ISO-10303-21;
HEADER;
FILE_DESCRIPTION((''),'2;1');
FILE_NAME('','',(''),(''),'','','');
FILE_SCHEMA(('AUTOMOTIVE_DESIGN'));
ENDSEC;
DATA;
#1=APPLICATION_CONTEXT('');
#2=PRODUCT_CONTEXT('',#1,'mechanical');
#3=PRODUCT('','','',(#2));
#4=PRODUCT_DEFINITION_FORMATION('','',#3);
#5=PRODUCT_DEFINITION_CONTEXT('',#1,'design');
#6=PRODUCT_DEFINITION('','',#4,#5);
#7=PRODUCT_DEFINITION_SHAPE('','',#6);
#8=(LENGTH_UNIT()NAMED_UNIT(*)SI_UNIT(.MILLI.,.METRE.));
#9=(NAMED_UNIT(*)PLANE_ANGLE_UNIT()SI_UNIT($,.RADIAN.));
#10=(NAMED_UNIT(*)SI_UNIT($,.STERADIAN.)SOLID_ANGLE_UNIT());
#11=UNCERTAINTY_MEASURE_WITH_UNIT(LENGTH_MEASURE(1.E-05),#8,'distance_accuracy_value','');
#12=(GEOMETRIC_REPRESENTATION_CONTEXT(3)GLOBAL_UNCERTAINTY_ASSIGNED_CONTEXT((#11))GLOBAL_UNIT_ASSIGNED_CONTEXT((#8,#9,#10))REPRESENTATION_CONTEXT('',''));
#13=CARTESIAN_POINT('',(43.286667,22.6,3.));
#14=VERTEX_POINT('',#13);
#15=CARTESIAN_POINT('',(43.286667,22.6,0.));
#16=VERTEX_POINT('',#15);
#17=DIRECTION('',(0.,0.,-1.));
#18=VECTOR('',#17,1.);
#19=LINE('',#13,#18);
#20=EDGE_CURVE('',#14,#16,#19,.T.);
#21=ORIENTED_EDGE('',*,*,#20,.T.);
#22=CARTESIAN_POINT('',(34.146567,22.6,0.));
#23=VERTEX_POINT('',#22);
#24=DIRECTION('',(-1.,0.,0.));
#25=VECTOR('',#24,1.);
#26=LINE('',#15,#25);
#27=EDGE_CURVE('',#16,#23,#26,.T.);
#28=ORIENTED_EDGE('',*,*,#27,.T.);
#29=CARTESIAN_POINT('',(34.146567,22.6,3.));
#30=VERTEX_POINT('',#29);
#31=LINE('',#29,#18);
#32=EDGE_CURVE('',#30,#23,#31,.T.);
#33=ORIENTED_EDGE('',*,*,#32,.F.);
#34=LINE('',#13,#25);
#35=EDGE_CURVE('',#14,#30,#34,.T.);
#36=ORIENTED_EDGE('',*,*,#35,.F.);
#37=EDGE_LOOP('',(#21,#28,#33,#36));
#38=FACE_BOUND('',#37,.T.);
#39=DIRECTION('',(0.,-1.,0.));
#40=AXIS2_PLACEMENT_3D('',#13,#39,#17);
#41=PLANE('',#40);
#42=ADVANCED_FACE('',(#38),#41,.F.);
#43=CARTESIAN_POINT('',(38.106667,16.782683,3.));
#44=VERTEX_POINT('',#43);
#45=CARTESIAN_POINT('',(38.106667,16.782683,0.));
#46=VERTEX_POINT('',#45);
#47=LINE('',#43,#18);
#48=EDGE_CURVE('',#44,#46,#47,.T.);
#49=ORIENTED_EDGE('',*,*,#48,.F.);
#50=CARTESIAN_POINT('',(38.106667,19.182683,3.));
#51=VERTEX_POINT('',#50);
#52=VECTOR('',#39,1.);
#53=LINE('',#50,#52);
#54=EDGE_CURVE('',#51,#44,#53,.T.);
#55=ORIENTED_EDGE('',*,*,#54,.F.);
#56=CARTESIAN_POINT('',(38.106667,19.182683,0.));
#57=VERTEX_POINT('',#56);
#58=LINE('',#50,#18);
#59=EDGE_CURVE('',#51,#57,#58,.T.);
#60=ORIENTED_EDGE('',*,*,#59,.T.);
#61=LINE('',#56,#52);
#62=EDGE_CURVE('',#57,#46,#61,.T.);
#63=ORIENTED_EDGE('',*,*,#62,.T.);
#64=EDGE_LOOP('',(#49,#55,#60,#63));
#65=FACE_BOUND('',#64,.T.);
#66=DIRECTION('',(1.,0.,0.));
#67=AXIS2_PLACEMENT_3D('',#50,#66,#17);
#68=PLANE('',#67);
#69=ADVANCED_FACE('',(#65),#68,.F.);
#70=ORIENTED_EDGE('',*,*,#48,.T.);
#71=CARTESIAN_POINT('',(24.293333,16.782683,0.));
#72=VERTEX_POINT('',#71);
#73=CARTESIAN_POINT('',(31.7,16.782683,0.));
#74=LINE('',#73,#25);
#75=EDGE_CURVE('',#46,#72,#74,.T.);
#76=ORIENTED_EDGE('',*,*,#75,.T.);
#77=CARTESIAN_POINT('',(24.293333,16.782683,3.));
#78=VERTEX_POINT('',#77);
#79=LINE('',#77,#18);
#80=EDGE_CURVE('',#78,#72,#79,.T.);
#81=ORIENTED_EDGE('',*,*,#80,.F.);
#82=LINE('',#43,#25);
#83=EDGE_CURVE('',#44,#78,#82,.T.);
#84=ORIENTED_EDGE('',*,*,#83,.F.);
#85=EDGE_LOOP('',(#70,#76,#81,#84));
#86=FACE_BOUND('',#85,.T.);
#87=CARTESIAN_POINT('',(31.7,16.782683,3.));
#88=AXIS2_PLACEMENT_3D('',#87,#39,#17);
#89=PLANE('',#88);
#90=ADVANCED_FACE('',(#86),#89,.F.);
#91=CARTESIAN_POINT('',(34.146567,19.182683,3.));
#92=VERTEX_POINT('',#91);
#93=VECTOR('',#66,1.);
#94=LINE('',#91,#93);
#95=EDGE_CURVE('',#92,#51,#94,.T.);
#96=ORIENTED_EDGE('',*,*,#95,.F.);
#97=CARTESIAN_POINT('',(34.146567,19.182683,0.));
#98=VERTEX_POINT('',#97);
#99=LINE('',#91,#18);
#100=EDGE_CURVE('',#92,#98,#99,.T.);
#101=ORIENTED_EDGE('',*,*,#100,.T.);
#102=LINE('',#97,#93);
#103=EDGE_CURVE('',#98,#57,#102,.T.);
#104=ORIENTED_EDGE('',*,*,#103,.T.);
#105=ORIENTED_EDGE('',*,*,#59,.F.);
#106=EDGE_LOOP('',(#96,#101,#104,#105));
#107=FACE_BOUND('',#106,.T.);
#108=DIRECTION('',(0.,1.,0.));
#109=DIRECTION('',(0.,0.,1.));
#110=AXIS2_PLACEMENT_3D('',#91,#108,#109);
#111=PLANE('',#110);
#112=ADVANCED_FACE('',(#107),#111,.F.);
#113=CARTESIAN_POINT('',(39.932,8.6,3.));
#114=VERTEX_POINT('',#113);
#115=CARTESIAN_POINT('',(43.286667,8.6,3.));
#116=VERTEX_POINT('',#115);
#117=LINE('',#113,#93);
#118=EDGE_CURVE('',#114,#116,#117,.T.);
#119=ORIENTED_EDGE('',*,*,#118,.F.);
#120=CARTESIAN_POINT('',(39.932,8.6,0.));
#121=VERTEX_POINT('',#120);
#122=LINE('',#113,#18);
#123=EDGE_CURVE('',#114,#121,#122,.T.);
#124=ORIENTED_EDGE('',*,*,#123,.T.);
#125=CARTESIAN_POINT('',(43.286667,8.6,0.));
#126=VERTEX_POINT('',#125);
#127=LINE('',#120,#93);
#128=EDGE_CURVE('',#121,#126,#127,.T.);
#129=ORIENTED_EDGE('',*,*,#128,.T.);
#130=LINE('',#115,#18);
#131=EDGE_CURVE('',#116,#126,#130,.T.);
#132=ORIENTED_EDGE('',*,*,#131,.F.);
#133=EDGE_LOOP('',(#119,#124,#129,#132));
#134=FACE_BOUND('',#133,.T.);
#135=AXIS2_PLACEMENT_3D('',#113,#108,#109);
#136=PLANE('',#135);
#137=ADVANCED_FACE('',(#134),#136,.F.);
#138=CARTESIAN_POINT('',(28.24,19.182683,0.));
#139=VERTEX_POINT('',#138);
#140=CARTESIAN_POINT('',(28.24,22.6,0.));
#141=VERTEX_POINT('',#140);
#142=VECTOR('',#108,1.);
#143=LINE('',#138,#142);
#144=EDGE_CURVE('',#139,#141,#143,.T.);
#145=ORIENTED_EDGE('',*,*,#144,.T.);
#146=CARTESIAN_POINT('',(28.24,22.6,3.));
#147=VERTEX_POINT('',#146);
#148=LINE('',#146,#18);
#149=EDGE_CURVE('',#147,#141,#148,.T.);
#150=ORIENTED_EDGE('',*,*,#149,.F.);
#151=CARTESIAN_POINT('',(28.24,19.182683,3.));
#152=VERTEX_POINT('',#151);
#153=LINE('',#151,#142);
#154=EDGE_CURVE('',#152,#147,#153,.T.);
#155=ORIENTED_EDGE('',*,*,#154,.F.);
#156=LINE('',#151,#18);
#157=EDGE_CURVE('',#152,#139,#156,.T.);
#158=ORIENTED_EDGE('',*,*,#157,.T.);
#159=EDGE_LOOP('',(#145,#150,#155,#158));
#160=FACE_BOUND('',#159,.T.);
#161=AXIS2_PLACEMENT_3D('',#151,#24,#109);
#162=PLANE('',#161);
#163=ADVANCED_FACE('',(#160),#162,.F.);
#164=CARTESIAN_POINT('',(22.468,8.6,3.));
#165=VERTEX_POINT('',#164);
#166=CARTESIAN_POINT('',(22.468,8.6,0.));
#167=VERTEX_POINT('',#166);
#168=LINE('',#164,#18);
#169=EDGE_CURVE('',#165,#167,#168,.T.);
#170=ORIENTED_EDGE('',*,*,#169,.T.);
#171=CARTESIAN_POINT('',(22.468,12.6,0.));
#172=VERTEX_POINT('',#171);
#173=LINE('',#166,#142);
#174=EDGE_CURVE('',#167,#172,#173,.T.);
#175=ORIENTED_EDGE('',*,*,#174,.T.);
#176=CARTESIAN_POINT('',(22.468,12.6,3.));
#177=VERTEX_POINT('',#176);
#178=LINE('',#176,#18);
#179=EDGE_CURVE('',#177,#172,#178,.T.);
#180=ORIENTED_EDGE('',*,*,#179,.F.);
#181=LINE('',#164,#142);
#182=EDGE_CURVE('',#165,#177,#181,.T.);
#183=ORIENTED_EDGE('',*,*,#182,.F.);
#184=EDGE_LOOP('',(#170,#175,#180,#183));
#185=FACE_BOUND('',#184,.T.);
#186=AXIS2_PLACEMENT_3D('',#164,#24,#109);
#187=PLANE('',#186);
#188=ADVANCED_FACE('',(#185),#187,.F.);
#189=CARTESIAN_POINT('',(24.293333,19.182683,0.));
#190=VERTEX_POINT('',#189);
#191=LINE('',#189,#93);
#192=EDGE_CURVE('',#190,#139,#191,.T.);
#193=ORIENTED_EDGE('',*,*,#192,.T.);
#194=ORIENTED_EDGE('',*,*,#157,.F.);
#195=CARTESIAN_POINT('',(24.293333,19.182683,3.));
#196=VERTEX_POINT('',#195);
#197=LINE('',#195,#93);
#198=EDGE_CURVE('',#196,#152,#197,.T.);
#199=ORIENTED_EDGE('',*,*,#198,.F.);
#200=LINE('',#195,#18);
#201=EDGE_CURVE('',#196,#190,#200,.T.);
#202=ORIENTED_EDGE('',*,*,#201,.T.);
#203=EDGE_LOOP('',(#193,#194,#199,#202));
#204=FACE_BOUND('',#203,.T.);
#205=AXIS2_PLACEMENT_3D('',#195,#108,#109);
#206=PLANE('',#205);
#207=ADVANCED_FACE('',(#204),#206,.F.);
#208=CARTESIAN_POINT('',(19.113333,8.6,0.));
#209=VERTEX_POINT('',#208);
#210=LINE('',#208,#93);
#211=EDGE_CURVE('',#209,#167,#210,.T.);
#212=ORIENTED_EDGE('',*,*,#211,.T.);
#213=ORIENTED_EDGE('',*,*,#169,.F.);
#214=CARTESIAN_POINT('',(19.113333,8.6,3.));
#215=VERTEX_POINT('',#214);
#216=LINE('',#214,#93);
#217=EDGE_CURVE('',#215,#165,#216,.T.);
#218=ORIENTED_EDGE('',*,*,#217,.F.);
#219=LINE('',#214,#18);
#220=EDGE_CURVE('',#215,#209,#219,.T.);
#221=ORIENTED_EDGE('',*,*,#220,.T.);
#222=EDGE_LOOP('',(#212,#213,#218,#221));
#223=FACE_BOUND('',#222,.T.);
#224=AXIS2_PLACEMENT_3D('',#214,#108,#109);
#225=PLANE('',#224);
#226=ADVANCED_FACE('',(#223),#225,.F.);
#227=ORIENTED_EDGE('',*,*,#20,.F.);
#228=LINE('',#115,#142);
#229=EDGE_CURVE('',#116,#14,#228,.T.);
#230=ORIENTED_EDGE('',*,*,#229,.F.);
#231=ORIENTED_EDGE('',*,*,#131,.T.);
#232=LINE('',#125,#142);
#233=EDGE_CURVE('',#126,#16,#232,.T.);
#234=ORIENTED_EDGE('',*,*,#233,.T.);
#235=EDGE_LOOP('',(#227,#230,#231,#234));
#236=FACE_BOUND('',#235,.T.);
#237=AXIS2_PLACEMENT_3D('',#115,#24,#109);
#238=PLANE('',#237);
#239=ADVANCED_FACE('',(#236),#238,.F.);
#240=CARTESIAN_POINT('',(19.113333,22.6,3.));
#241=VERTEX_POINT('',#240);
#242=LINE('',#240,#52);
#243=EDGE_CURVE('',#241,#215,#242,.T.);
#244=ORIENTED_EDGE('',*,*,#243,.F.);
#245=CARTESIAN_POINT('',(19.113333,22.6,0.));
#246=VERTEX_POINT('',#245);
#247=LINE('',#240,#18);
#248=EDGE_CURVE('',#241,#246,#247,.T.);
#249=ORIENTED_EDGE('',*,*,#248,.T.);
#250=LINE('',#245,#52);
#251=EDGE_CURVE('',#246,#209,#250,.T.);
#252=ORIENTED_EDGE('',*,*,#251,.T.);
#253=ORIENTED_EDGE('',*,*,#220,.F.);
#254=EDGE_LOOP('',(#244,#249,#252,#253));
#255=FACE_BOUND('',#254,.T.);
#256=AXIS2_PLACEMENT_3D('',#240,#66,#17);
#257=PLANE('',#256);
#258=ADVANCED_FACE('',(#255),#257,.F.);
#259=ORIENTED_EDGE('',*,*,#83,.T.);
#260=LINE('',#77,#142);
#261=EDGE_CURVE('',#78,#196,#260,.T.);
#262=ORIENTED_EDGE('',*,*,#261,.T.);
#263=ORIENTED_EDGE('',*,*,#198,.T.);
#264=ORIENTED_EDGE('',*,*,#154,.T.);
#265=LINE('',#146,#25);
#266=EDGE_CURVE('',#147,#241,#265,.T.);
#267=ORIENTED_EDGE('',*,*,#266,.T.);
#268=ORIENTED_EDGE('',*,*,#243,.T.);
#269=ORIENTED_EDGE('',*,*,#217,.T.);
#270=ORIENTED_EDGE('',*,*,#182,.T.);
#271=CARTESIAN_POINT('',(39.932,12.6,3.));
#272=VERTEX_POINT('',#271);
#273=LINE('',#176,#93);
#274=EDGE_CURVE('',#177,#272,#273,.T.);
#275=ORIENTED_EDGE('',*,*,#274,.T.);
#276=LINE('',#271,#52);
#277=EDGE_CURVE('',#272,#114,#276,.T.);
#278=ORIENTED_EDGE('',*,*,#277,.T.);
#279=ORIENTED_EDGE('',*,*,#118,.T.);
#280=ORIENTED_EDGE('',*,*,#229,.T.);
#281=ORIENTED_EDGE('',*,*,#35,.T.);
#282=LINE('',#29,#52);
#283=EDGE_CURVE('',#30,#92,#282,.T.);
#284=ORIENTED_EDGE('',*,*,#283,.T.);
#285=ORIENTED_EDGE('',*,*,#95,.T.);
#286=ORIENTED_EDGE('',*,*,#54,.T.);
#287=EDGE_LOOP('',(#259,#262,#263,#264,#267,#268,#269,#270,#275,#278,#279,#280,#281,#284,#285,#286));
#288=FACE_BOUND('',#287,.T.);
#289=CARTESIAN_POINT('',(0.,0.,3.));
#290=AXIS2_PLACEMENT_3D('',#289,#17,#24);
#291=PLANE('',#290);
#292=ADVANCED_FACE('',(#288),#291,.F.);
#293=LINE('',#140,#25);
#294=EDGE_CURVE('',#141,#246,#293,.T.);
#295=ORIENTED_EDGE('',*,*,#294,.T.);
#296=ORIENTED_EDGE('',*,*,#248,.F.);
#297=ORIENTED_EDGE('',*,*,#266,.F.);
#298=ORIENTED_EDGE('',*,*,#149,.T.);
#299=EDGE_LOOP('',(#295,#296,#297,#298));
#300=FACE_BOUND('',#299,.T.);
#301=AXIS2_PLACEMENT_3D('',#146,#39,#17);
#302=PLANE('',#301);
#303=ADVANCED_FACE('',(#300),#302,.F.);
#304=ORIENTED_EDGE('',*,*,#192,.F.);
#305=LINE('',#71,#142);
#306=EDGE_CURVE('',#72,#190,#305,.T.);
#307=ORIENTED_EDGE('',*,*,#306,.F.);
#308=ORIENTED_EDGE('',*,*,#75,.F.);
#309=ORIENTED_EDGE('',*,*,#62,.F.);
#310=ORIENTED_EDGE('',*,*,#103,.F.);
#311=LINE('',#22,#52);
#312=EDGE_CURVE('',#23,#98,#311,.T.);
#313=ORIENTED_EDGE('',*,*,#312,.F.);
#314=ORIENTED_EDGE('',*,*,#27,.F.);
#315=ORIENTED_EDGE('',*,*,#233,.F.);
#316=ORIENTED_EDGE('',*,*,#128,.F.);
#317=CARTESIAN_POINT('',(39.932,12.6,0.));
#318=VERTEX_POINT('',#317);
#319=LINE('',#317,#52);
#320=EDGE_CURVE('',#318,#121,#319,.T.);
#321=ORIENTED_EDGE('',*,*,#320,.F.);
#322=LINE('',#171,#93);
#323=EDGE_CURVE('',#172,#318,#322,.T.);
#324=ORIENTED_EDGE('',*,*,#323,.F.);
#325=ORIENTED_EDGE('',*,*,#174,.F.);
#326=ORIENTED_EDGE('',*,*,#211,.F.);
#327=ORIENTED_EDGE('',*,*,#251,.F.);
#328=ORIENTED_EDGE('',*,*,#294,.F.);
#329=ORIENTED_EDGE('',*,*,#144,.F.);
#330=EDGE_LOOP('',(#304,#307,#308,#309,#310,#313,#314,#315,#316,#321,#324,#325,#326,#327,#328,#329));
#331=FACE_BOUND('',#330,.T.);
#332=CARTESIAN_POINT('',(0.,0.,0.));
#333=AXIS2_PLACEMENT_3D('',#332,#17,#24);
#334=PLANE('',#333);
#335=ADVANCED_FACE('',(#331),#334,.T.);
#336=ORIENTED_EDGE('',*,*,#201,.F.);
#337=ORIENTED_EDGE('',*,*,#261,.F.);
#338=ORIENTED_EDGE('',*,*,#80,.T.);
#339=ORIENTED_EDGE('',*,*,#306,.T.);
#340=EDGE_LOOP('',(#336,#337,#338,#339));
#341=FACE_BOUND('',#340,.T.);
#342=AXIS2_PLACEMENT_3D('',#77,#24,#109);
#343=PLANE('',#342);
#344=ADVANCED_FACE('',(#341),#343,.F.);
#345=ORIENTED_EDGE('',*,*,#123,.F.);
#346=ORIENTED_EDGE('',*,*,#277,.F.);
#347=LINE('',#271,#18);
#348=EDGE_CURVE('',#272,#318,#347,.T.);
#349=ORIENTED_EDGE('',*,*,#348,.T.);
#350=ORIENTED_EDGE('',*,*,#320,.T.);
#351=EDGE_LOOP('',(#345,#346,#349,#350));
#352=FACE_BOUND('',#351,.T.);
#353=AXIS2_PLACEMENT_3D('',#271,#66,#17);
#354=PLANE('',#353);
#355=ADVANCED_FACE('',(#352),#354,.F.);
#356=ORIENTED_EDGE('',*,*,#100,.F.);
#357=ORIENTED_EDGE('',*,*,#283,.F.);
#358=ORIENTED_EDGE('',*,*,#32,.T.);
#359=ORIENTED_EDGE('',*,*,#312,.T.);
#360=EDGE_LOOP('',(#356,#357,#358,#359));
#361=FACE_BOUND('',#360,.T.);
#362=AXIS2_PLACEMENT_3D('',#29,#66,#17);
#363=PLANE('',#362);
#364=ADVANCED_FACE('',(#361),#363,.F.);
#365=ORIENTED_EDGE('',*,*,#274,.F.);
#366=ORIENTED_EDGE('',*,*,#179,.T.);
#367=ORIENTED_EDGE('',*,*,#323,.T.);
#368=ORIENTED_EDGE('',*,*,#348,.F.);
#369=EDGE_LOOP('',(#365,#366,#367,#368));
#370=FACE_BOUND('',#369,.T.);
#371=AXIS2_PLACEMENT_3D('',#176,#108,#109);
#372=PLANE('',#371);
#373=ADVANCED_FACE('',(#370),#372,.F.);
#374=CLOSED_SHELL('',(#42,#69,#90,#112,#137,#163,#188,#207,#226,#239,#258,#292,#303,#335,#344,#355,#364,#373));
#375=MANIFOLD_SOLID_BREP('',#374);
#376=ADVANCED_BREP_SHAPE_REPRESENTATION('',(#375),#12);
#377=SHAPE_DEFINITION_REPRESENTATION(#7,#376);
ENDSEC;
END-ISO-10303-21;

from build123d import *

# Parameters (mm, degrees)
SALIENTE_EXTRUIR1_DEPTH = 3


with BuildPart() as part:
    # Model → Saliente-Extruir1 (new body)
    with BuildSketch(Plane.XY):
        Polygon((31.7, 16.782683294), (24.293333333, 16.782683294), (24.293333333, 19.182683294), (28.24, 19.182683294), (28.24, 22.6), (19.113333333, 22.6), (19.113333333, 8.6), (22.468, 8.6), (22.468, 12.6), (39.932, 12.6), (39.932, 8.6), (43.286666667, 8.6), (43.286666667, 22.6), (34.14656693, 22.6), (34.14656693, 19.182683294), (38.106666667, 19.182683294), (38.106666667, 16.782683294), align=None)
    extrude(amount=SALIENTE_EXTRUIR1_DEPTH)


solid = part.part
